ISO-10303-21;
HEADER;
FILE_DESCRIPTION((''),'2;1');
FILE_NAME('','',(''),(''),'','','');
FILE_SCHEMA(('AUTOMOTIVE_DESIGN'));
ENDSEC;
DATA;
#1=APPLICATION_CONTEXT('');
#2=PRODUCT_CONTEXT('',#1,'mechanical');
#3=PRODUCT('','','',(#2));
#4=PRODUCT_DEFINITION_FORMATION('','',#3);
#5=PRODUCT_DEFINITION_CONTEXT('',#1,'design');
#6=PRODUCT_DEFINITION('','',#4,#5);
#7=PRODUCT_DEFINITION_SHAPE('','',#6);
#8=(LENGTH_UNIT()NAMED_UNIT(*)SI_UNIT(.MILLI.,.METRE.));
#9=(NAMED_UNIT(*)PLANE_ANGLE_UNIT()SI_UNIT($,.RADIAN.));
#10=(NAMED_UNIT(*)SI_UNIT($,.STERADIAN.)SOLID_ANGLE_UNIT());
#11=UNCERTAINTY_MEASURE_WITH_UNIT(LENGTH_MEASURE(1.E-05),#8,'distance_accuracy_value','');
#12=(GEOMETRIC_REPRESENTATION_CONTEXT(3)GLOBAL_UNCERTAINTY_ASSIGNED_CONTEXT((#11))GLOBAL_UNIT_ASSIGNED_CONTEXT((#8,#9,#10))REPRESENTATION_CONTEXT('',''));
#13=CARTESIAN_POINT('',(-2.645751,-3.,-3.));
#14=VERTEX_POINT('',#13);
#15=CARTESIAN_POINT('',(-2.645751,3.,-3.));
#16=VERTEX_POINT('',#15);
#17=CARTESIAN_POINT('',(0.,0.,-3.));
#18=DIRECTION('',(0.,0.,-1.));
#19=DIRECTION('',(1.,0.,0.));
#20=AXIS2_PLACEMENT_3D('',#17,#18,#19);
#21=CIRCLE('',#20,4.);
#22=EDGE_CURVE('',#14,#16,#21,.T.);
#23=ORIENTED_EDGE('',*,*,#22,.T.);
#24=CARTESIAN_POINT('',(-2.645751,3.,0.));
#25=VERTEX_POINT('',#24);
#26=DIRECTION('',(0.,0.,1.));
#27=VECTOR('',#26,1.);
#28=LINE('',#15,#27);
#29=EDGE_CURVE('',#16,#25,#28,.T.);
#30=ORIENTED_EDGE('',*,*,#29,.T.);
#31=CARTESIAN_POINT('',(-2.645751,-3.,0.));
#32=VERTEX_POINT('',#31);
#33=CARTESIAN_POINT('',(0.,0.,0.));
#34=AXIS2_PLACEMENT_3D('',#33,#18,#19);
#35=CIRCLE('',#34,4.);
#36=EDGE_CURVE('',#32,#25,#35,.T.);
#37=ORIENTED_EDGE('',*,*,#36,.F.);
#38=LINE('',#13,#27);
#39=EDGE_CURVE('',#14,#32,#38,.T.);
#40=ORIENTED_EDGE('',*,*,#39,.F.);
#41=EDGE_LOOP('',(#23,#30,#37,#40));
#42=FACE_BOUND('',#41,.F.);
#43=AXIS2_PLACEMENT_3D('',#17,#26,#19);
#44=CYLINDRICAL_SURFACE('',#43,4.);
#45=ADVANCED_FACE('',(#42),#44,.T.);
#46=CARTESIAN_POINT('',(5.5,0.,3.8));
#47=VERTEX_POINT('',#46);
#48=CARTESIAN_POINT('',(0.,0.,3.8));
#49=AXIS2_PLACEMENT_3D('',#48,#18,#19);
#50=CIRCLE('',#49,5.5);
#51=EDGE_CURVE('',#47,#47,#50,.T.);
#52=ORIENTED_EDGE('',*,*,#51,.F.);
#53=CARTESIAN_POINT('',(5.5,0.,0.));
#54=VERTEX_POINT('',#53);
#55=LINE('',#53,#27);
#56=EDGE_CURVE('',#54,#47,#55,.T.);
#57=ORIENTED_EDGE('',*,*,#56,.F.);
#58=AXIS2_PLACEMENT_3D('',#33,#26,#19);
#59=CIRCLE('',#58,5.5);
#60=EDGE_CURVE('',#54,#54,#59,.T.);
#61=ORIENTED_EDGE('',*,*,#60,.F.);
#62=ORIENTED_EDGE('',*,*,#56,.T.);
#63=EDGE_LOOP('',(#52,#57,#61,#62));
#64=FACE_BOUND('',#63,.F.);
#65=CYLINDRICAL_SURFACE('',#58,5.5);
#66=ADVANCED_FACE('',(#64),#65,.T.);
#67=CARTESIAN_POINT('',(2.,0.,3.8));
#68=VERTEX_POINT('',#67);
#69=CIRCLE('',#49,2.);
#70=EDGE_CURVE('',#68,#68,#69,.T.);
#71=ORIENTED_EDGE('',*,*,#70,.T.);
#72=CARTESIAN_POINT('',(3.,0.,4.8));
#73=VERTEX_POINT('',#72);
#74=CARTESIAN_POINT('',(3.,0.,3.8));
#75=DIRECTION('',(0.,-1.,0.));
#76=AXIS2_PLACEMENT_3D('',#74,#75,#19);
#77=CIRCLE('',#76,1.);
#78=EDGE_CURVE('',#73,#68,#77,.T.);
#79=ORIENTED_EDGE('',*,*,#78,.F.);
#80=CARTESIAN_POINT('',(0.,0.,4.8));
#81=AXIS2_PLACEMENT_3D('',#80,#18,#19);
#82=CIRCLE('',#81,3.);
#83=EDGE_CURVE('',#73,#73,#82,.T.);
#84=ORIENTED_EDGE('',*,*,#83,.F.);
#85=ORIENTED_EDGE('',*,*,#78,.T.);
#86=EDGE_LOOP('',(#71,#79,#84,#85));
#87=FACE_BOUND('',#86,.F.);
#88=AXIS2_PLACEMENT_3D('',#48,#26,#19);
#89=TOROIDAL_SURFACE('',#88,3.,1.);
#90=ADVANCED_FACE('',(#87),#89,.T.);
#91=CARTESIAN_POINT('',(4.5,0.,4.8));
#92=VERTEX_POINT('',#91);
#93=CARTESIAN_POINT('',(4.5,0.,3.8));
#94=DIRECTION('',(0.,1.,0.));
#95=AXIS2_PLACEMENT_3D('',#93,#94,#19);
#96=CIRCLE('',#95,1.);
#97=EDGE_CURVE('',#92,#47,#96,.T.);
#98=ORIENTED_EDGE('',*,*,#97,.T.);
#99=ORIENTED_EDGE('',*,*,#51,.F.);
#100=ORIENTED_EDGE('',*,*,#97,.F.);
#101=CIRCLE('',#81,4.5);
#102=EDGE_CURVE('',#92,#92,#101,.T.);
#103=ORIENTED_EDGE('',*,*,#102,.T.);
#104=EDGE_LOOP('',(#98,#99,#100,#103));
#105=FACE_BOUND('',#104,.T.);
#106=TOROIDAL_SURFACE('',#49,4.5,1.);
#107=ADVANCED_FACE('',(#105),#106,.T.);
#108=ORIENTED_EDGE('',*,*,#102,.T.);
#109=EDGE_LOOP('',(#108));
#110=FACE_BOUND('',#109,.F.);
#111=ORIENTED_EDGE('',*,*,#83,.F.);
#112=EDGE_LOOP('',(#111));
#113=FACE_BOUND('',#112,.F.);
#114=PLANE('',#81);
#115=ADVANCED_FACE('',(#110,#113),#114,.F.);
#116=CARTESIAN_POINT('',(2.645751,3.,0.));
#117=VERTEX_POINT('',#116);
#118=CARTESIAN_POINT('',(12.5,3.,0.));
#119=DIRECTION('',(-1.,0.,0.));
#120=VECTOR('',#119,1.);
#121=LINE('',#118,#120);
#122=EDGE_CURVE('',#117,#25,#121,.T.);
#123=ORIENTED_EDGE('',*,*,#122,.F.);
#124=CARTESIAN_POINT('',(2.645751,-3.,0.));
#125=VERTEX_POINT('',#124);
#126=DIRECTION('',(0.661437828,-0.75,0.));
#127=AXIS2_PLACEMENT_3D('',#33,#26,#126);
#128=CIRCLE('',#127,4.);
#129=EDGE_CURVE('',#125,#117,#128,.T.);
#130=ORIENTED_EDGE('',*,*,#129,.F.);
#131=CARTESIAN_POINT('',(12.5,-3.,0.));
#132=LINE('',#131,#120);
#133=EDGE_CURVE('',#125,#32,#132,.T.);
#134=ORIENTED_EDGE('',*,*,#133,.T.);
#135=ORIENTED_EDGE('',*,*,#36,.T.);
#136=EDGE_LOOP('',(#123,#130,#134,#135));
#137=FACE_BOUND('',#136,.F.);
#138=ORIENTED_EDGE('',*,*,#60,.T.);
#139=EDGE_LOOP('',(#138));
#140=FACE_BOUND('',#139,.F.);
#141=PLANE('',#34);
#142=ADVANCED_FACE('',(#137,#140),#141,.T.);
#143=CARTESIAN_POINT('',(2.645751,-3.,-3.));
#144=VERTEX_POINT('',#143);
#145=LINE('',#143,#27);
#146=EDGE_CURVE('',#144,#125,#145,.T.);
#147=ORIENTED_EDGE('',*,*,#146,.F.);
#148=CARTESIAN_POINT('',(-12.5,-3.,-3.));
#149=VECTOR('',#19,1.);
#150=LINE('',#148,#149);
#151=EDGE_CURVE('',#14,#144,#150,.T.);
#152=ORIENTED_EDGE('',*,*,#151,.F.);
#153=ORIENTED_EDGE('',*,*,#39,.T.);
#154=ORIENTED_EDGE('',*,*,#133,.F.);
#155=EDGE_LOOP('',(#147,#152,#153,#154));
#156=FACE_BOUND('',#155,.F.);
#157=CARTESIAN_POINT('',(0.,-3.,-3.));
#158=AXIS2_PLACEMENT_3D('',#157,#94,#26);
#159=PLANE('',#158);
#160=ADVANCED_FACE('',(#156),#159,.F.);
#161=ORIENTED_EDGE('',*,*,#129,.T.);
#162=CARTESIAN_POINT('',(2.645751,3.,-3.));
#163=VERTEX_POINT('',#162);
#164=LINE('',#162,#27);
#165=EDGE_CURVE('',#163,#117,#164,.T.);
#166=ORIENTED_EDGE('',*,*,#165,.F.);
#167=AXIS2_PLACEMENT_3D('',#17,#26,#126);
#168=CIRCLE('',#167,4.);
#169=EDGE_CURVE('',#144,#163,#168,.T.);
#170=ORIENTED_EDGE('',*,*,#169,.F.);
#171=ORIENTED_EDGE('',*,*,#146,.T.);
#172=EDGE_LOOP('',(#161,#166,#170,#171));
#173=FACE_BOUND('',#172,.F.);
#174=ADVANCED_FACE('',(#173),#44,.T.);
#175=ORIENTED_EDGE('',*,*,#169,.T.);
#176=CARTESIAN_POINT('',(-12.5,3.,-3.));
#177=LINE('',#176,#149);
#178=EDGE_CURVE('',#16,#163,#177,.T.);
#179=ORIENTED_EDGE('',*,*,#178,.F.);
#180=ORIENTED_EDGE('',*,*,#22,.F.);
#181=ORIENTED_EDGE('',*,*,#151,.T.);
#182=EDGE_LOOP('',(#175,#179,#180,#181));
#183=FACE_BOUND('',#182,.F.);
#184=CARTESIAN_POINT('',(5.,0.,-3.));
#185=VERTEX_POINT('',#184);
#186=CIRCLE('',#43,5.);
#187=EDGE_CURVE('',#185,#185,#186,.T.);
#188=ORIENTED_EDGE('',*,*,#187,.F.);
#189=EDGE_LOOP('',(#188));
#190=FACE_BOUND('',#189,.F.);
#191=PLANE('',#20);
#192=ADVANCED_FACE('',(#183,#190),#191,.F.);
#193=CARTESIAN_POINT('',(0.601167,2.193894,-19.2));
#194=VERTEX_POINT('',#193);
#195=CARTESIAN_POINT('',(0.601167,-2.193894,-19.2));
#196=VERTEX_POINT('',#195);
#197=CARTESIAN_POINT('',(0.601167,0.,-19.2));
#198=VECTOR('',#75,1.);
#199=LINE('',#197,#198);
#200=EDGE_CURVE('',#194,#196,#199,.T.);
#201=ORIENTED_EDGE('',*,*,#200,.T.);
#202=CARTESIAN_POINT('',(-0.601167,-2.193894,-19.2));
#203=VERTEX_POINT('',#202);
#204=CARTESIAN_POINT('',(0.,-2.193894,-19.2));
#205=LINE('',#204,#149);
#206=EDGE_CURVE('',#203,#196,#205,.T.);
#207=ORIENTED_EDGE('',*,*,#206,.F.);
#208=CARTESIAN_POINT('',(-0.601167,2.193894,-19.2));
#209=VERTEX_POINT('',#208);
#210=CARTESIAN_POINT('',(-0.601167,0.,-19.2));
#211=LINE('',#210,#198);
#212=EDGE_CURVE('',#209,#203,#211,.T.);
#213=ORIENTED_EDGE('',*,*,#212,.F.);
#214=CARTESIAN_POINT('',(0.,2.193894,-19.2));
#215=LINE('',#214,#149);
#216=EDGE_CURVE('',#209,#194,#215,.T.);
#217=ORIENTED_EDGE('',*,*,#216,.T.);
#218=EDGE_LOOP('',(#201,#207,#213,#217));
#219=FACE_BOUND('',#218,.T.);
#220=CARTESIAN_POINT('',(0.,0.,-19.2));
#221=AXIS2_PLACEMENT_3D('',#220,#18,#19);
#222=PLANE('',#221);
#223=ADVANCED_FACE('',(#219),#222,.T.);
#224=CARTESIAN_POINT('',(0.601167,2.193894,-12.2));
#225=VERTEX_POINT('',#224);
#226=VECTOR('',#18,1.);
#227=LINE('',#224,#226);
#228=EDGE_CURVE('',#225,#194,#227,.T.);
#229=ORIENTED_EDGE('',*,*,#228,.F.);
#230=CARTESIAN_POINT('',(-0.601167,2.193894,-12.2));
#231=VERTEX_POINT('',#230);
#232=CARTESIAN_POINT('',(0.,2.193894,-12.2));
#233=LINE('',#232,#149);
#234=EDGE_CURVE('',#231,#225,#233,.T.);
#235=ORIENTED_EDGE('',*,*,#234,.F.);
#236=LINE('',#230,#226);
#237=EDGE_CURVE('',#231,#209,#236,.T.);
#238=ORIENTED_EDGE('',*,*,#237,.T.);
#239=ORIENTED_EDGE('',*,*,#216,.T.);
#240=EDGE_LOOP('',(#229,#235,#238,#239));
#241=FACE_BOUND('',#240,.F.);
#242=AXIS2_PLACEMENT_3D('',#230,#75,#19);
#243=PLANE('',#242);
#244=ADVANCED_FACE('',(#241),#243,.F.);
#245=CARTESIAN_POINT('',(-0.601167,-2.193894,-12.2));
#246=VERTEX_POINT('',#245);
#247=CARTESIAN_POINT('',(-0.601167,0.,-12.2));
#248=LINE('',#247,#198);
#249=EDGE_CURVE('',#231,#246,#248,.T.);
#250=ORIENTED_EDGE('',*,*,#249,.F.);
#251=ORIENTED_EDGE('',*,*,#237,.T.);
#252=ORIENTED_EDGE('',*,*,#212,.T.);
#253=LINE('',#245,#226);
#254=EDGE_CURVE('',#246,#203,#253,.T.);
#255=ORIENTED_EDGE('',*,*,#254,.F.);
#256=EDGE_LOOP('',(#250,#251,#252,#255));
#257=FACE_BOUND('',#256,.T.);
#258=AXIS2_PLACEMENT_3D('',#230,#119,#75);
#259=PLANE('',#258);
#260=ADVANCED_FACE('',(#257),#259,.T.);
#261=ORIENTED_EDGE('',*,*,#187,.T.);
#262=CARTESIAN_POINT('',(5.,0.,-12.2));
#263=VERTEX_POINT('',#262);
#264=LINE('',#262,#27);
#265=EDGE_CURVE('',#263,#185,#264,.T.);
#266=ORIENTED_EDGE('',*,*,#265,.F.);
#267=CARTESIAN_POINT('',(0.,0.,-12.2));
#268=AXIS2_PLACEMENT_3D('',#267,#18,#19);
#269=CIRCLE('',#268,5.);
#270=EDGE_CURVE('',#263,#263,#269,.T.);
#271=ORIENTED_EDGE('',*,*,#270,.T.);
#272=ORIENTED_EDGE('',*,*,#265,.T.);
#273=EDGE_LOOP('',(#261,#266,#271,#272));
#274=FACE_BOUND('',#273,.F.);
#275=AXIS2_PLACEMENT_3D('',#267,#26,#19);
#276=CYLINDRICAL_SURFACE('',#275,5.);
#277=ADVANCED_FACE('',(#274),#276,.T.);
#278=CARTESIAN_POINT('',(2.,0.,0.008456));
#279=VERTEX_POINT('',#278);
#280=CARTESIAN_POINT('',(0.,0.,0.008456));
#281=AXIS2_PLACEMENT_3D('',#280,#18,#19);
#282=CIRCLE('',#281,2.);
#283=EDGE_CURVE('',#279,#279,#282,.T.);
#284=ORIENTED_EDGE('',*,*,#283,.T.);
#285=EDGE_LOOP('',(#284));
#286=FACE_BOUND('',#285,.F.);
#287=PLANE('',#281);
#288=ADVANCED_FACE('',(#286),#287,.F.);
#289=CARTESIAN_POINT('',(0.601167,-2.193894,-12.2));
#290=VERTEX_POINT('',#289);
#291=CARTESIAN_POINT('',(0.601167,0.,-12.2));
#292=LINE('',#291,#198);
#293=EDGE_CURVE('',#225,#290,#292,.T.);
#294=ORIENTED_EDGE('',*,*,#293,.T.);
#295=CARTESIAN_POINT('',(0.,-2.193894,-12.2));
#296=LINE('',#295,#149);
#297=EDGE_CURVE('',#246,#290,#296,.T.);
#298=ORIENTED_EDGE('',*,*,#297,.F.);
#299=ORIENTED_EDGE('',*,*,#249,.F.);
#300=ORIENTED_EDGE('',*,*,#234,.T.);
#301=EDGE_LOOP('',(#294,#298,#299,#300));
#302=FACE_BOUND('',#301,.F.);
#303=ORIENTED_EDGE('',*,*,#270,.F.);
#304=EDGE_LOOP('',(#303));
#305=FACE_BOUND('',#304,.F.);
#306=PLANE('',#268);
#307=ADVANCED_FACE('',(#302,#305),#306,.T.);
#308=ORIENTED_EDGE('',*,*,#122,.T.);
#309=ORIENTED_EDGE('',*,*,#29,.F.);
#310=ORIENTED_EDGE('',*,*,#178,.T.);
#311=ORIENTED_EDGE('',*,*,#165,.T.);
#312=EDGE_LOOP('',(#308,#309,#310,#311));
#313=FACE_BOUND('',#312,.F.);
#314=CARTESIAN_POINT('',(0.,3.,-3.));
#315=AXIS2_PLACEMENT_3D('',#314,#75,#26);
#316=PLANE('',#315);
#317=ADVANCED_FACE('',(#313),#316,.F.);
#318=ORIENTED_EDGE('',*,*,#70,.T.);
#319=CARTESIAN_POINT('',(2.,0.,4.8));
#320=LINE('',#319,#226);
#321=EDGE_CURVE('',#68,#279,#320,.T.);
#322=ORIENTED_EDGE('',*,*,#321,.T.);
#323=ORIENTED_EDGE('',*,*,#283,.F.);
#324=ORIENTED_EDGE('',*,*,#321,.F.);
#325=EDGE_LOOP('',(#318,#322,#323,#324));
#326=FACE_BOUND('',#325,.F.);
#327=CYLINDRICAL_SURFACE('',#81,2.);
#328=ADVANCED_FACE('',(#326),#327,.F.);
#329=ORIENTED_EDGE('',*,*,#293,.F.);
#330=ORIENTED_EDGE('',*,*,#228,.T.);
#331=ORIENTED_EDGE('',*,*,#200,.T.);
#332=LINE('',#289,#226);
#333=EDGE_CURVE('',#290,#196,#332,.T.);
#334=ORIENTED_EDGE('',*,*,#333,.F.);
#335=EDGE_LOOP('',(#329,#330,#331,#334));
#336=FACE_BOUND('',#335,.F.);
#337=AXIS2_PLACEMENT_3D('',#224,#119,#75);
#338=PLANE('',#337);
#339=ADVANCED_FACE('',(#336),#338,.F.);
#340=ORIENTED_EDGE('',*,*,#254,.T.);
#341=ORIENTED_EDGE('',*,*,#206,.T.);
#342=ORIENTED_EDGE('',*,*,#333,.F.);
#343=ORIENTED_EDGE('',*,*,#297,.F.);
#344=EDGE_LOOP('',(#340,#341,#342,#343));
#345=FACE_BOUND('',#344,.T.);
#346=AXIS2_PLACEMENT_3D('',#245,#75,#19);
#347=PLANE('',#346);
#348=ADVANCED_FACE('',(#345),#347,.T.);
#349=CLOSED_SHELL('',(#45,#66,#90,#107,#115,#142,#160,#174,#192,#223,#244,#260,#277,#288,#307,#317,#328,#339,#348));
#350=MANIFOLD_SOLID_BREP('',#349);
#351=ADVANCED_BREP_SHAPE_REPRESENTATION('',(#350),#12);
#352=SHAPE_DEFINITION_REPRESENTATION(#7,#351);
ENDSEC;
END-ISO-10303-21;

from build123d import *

# Parameters (mm, degrees)
F2_R     = 1
F3_W     = 1.2023348827
F3_H     = 4.3877884746
F4_DEPTH = 7
F5_W     = 1.6818879384
F5_H     = 3
F5_W_2   = 1.39512593
F6_DEPTH = 12.5


with BuildPart() as f1:
    # F0 (on Front) → F1 (revolve)
    with BuildSketch(Plane.XZ):
        Polygon((5.5, 4.8), (2, 4.8), (2, 0.0084556759), (0, 0.0084556759), (0, -12.2), (5, -12.2), (5, -3), (4, -3), (4, 0), (5.5, 0), align=None)
    revolve(axis=Axis((0, 0, 13.3898657501), (0, 0, -1)))

    # F2
    f2_edges = [f1.edges().sort_by_distance(p)[0] for p in [
        (-5.5, 0, 4.8),
        (-2, 0, 4.8),
    ]]
    fillet(f2_edges, radius=F2_R)

    # F3 (on face) → F4 (join)
    with BuildSketch(Plane(origin=(0, 0, -12.2), x_dir=(1, 0, 0), z_dir=(0, 0, -1))):
        Rectangle(F3_W, F3_H)
    extrude(amount=F4_DEPTH)

    # F5 (on Right) → F6 (cut, symmetric)
    with BuildSketch(Plane.YZ):
        with Locations((3.8409439692, -1.5)):
            Rectangle(F5_W, F5_H)
        with Locations((-3.697562965, -1.5)):
            Rectangle(F5_W_2, F5_H)
    extrude(amount=F6_DEPTH, both=True, mode=Mode.SUBTRACT)


solid = f1.part
